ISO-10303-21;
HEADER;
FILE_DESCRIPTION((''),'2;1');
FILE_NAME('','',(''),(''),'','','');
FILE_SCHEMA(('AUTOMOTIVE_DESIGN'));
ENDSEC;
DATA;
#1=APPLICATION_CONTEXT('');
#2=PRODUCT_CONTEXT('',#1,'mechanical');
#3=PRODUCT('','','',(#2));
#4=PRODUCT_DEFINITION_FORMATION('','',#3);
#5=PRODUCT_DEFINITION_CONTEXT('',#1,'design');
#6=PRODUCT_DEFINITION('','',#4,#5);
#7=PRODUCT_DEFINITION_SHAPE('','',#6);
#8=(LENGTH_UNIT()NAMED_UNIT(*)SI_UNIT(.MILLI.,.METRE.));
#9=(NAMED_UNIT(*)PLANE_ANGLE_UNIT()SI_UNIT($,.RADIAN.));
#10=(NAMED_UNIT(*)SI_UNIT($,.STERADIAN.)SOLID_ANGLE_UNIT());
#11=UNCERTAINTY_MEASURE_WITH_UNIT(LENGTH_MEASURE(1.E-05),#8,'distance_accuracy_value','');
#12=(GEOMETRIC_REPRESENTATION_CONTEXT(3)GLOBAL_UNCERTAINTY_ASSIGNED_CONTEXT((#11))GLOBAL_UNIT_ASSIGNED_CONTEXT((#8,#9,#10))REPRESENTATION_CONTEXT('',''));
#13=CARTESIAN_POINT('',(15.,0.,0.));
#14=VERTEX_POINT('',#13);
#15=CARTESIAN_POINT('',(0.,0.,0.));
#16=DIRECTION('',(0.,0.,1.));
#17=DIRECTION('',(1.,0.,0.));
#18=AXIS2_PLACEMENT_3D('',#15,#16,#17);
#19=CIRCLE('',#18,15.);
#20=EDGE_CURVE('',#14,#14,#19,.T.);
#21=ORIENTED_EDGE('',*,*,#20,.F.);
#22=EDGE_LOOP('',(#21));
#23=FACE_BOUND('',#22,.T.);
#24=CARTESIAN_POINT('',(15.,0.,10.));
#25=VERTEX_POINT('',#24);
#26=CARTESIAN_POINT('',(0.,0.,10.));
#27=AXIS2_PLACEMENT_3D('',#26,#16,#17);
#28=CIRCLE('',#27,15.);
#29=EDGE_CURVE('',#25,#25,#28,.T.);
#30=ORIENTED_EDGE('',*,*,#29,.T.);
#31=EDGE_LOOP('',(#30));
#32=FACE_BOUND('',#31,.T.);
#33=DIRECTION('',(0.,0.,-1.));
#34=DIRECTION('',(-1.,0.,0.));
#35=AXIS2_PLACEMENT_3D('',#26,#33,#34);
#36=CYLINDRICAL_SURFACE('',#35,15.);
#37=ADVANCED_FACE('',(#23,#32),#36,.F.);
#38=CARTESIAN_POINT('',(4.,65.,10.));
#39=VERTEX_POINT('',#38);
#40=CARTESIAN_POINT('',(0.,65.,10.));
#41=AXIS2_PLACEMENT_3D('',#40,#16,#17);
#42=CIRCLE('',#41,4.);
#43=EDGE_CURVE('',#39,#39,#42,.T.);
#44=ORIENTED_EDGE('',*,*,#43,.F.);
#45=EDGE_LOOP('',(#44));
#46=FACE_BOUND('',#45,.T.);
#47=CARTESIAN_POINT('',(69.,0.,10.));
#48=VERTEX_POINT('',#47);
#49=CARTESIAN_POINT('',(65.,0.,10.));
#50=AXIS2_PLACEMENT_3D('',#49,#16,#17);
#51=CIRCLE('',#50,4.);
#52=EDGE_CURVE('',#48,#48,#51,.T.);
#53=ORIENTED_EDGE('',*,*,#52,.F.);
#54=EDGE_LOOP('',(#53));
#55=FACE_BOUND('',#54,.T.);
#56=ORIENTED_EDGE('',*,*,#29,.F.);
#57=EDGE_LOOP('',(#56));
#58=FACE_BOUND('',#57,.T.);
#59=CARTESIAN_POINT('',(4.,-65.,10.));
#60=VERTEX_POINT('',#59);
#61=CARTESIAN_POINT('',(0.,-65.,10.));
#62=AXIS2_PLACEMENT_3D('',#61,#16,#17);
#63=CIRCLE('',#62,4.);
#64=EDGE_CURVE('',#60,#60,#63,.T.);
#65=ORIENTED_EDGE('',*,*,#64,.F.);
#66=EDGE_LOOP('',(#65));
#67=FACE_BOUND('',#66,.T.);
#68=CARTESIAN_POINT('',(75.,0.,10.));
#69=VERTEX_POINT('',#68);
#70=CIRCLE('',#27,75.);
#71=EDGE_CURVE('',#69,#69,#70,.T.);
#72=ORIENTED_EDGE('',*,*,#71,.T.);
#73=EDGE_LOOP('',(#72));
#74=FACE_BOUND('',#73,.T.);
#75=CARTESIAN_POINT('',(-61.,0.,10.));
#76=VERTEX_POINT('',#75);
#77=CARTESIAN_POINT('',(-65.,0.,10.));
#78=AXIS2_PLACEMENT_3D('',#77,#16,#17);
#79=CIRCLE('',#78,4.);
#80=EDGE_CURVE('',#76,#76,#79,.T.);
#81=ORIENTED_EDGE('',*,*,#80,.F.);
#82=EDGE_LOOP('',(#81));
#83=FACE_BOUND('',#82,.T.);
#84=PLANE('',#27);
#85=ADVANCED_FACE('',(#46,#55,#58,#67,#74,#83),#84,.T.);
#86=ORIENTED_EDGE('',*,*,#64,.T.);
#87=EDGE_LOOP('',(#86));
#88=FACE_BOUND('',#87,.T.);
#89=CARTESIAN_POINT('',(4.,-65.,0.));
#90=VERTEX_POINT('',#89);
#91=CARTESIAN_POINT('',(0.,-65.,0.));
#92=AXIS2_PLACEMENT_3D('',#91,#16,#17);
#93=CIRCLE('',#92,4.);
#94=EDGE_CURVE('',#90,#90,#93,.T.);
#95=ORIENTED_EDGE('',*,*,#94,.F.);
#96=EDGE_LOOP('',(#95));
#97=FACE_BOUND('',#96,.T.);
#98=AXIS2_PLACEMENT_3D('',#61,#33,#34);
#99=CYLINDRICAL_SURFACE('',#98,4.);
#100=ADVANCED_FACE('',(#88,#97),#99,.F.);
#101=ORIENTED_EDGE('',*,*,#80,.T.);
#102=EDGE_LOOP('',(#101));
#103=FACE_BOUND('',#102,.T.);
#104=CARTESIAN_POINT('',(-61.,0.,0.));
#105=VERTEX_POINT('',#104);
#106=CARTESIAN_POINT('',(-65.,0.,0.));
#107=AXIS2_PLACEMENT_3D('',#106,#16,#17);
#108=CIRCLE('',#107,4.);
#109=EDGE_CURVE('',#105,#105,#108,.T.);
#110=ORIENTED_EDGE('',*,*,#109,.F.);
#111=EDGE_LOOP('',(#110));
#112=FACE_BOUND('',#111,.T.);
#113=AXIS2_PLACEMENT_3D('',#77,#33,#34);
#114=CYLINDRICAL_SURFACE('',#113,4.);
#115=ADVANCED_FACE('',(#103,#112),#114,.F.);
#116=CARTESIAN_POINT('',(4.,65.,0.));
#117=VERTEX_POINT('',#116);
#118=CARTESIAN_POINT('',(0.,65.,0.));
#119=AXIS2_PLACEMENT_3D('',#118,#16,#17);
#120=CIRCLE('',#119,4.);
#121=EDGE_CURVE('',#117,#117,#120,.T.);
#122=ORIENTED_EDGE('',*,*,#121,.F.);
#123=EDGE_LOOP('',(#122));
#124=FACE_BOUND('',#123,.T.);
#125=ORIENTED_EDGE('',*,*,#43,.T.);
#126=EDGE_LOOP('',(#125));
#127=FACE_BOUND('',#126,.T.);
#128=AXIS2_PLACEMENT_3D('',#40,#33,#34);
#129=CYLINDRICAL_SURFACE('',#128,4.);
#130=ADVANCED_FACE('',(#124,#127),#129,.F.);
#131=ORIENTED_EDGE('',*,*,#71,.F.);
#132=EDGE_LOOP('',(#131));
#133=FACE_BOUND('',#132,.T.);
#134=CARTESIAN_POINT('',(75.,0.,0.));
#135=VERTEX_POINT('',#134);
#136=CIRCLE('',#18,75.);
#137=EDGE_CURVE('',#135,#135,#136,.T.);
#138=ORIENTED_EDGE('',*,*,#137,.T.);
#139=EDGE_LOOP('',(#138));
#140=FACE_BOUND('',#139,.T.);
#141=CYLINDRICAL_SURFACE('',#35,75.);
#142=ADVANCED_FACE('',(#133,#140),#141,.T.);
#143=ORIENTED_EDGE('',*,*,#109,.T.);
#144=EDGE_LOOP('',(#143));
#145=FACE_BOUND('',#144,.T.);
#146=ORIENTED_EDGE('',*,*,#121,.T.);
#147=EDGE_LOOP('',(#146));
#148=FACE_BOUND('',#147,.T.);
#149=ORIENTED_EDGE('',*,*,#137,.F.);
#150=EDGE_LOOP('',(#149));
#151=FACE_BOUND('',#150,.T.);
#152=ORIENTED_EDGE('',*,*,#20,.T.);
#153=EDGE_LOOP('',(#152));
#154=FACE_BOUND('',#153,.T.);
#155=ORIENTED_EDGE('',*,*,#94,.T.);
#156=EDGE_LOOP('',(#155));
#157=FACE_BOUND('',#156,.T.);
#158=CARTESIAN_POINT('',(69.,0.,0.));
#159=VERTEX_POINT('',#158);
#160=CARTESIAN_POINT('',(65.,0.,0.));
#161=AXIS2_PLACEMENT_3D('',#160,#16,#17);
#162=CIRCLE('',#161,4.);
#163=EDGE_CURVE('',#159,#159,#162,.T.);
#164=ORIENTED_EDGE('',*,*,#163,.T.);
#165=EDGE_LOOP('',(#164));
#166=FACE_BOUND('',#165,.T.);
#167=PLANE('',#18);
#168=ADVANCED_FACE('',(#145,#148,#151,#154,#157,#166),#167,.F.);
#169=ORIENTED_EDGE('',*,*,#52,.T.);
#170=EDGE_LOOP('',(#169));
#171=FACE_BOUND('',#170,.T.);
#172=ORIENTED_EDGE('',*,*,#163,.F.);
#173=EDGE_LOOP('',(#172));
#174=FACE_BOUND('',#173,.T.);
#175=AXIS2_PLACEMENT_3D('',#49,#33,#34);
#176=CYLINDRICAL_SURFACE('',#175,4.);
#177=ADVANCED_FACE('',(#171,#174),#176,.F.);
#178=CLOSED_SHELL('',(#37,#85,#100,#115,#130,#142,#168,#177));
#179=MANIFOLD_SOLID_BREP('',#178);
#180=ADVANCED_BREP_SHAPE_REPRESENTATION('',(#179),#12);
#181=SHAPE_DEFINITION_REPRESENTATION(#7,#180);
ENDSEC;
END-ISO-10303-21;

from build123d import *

# Parameters (mm, degrees)
SKETCH1_R           = 75
SKETCH1_R_2         = 15
SKETCH1_R_3         = 4
BOSS_EXTRUDE1_DEPTH = 10


with BuildPart() as part:
    # Sketch1 → Boss-Extrude1 (new body)
    with BuildSketch(Plane.XY):
        Circle(SKETCH1_R)
        Circle(SKETCH1_R_2, mode=Mode.SUBTRACT)
        with Locations((0, 65)):
            Circle(SKETCH1_R_3, mode=Mode.SUBTRACT)
        with Locations((-65, 0)):
            Circle(SKETCH1_R_3, mode=Mode.SUBTRACT)
        with Locations((0, -65)):
            Circle(SKETCH1_R_3, mode=Mode.SUBTRACT)
        with Locations((65, 0)):
            Circle(SKETCH1_R_3, mode=Mode.SUBTRACT)
    extrude(amount=BOSS_EXTRUDE1_DEPTH)


solid = part.part
